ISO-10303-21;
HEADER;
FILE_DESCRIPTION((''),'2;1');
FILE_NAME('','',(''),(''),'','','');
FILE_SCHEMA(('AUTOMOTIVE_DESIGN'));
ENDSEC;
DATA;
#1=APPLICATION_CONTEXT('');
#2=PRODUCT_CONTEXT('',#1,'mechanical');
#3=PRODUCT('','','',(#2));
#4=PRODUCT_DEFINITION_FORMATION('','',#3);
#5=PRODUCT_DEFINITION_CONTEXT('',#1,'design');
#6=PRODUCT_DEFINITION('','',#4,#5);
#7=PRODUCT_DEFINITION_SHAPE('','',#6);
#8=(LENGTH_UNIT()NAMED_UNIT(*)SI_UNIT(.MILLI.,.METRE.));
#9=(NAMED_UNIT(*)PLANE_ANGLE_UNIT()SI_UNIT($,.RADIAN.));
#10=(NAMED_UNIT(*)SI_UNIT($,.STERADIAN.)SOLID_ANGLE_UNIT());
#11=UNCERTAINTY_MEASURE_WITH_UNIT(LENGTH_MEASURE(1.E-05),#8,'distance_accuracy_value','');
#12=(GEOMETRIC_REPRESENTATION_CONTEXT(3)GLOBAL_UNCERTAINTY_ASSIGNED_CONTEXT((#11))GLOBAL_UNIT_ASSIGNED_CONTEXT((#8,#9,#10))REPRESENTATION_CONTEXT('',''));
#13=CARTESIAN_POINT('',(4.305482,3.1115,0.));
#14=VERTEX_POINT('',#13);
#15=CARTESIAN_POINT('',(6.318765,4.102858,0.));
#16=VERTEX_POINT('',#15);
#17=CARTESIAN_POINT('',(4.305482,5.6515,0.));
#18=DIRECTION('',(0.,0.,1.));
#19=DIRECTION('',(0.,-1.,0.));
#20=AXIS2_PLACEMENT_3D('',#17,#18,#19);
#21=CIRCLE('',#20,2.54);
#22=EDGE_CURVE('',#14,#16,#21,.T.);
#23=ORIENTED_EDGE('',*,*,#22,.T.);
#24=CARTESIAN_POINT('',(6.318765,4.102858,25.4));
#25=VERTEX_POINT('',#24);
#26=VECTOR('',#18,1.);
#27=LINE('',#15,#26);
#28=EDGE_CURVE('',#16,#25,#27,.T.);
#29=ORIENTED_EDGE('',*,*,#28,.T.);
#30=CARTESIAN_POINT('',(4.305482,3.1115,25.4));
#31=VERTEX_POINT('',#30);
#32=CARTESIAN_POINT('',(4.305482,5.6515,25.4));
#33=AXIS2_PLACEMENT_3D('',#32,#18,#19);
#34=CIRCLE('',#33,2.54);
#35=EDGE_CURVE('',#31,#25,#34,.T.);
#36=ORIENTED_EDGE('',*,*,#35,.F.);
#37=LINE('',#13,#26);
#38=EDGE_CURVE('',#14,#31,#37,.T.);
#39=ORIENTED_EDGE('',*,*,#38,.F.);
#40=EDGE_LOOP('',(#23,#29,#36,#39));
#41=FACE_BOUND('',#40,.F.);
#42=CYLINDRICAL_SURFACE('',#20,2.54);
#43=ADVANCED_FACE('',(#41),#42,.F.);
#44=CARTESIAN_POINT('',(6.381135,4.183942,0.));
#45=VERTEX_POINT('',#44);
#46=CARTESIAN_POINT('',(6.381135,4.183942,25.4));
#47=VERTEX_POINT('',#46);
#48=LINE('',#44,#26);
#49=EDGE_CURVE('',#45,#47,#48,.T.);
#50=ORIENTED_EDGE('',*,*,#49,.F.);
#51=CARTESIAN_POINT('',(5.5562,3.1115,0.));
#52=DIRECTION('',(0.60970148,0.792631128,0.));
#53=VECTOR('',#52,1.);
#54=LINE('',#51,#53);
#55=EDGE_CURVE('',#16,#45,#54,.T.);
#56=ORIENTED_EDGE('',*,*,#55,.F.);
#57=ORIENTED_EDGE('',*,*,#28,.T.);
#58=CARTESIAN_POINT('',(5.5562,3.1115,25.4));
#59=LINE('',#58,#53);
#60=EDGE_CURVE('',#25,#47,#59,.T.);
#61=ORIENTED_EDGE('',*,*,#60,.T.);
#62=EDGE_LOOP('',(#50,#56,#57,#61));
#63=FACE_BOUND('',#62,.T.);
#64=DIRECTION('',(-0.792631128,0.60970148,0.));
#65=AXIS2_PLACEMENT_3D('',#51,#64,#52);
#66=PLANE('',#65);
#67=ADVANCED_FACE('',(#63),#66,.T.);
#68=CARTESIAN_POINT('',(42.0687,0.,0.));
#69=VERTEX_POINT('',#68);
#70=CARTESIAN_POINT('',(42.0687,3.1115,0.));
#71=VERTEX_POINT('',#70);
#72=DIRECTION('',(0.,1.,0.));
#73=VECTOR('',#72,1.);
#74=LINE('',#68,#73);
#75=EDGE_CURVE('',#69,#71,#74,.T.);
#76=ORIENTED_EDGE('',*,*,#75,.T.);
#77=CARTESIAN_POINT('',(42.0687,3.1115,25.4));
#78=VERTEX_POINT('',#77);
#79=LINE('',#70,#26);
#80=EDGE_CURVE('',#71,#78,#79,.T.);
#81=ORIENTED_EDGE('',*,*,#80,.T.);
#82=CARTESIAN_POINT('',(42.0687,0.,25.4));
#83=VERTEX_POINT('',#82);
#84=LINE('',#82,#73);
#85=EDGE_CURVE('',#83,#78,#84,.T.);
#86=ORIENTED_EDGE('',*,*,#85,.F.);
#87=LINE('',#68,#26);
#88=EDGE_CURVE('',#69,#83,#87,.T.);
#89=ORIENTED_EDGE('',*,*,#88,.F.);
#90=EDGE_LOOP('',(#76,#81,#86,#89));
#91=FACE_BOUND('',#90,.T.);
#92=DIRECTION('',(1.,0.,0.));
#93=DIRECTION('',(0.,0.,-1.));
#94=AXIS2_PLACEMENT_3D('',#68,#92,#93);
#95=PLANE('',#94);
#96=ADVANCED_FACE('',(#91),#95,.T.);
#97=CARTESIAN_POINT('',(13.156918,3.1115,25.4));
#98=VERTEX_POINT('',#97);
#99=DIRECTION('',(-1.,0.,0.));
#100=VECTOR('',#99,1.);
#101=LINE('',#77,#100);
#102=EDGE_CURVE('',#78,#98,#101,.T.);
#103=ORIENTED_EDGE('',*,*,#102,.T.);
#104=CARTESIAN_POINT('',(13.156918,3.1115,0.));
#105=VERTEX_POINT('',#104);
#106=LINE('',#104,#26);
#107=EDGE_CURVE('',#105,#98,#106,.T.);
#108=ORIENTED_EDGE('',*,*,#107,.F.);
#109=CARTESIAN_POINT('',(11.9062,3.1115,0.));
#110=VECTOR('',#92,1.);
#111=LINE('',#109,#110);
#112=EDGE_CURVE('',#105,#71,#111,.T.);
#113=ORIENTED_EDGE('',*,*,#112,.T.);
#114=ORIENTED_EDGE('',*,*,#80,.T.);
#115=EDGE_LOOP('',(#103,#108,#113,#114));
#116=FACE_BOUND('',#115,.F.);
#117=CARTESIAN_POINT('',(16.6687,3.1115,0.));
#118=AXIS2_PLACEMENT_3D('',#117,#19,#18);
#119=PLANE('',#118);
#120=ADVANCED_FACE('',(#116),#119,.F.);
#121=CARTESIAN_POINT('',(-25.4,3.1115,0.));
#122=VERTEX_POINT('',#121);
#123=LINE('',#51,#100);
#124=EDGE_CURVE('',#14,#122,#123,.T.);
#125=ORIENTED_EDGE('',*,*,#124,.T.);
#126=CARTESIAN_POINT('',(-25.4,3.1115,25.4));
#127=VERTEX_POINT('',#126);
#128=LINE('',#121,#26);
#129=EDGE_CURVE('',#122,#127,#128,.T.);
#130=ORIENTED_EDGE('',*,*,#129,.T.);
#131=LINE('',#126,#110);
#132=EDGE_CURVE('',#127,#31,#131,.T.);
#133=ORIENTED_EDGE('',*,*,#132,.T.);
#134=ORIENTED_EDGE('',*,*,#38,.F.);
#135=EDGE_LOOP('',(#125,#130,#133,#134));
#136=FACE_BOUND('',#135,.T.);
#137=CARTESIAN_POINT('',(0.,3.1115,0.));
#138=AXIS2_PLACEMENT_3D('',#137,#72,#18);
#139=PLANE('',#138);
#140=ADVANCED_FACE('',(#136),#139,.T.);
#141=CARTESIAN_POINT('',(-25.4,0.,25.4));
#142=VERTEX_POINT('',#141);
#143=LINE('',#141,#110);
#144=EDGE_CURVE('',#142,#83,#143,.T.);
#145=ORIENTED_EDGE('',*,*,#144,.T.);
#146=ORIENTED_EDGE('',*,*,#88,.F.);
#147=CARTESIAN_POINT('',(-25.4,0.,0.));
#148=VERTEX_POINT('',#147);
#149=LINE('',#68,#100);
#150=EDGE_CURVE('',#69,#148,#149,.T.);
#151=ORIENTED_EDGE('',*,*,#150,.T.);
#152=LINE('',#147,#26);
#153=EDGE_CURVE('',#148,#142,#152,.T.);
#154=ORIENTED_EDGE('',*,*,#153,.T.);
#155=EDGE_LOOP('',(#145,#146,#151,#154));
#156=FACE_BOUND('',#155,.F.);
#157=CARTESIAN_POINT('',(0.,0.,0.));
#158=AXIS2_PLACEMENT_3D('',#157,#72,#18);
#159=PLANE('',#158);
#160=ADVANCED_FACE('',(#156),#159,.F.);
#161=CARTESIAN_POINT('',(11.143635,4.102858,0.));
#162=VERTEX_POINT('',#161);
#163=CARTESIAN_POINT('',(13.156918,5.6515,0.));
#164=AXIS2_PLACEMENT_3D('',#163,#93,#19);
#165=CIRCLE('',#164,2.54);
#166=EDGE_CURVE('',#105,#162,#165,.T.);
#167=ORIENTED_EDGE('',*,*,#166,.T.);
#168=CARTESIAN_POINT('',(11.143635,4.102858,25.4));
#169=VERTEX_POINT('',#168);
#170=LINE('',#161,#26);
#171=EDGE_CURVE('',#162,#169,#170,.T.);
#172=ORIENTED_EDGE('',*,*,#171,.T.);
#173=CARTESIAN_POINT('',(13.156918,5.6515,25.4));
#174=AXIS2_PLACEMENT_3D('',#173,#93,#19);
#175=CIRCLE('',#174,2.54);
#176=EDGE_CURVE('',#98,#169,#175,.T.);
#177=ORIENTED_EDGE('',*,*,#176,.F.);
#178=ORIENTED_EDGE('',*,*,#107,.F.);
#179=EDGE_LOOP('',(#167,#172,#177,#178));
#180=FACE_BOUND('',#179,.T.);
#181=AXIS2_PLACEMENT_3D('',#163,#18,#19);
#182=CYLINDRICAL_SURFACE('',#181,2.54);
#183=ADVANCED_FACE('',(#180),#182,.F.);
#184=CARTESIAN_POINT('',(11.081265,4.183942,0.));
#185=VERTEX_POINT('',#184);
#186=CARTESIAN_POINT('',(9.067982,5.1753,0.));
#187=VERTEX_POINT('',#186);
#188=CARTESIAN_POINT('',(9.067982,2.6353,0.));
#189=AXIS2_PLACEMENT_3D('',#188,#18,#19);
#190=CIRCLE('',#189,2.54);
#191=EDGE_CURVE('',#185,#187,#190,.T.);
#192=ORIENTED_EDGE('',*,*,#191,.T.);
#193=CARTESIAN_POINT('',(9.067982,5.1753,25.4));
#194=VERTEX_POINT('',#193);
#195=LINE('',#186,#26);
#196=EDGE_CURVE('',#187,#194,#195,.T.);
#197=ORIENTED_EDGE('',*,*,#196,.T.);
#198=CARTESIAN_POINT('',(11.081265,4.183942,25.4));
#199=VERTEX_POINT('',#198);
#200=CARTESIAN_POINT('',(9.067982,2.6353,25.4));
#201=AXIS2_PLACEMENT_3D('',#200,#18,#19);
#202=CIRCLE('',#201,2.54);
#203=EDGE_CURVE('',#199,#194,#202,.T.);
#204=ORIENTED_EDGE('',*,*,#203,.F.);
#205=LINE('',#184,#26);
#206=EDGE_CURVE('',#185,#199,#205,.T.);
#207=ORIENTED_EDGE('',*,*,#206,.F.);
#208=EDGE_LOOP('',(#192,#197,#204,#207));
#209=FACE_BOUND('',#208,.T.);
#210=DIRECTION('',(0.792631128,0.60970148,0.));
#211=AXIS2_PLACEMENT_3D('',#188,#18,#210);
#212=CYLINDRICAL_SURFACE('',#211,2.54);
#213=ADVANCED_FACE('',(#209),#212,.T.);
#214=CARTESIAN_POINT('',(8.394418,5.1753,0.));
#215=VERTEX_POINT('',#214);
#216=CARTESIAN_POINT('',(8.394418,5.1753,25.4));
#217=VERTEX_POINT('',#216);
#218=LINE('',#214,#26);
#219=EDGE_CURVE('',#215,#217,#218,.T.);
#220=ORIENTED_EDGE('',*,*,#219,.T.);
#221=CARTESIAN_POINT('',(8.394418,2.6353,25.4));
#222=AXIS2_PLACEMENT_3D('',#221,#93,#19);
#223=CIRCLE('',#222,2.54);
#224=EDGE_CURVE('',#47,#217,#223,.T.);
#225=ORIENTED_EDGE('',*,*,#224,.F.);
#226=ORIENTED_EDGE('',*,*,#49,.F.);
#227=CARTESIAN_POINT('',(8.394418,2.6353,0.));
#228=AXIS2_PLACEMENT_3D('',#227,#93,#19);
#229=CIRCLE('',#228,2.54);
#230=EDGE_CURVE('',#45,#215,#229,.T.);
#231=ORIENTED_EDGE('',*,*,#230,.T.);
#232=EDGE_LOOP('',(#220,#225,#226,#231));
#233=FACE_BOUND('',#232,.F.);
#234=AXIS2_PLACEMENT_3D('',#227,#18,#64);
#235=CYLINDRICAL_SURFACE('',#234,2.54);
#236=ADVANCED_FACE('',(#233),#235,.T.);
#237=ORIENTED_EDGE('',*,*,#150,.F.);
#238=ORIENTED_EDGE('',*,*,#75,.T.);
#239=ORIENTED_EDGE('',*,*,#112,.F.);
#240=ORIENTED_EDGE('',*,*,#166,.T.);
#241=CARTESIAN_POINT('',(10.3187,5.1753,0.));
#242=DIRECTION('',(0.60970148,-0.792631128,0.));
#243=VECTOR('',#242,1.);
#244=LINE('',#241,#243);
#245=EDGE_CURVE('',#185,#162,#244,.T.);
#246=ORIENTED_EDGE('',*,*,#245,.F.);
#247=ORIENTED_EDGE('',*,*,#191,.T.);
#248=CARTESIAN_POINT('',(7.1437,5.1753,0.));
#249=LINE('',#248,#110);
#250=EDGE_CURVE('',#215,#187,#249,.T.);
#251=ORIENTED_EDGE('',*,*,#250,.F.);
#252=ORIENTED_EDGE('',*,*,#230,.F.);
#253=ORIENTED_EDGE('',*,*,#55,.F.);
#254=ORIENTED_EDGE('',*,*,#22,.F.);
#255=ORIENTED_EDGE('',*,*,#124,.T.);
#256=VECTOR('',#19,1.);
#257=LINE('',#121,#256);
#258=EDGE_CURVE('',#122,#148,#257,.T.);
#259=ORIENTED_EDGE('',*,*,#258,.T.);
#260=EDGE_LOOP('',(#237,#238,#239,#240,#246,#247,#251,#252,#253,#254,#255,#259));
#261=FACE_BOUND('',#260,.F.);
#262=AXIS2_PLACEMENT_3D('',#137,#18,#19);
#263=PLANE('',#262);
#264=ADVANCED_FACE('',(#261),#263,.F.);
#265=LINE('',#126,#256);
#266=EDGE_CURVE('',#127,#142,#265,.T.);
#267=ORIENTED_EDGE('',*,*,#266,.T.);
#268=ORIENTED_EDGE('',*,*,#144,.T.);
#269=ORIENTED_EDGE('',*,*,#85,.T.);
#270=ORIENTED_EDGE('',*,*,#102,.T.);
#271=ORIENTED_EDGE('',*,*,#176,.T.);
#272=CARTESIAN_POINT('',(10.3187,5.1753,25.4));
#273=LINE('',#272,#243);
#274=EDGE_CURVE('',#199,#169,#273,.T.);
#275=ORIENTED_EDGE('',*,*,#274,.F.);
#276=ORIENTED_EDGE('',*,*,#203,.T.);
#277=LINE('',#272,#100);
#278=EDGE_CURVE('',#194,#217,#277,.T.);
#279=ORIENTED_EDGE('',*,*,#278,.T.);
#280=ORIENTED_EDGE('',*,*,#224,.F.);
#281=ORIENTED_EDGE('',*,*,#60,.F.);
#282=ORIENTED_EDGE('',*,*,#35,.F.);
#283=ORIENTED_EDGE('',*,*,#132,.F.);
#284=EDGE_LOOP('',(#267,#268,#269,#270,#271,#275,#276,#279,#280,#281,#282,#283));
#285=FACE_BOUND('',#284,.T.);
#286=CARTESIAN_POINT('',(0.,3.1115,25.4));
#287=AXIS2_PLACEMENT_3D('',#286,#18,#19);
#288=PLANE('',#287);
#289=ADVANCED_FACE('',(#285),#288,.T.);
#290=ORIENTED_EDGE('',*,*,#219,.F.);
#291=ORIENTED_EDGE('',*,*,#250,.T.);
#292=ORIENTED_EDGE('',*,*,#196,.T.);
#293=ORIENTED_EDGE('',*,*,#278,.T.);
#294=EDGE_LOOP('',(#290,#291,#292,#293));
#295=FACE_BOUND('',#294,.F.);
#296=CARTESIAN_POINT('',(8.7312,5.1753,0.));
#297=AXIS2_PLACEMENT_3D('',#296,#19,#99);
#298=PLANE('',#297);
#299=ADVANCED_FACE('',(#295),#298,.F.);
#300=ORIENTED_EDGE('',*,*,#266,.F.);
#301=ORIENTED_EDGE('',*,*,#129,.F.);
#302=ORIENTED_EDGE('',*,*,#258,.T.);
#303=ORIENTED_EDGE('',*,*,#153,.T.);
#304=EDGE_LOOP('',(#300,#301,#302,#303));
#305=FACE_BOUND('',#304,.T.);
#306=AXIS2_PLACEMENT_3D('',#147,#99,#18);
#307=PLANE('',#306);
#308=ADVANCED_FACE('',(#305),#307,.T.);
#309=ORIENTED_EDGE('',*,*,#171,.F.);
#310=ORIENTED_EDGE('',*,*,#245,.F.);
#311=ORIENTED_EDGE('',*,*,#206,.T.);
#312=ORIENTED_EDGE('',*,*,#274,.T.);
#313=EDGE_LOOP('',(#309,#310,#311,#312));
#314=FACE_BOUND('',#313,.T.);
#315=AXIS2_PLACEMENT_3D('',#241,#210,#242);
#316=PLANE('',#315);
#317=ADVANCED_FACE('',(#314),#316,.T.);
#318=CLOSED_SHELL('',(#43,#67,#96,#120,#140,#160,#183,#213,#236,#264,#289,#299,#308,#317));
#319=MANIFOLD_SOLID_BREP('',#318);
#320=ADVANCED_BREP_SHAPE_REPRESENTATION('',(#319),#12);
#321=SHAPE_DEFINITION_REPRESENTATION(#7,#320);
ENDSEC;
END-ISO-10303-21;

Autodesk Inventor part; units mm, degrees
ref_plane "YZ Plane" through (0, 0, 0) normal (1, 0, 0) x (0, 1, 0)
ref_plane "XZ Plane" through (0, 0, 0) normal (0, 1, 0) x (-1, 0, 0)
ref_plane "XY Plane" through (0, 0, 0) normal (0, 0, 1) x (1, 0, 0)
sketch "Sketch1" plane through (0, 0, 0) normal (0, 0, 1) x (1, 0, 0)
  line L0 (0, 0) -> (4.7625, 0)
  line L1 (4.7625, 3.1115) -> (3.9687, 3.1115) construction
  line L2 (0, 3.1115) -> (0, 0)
  line L3 (4.7625, 0) -> (12.7, 0)
  line L4 (12.7, 0) -> (12.7, 3.1115) construction
  line L5 (12.7, 5.1753) -> (11.1125, 5.1753) construction
  line L6 (4.7625, 5.1753) -> (4.7625, 3.1115) construction
  line L7 (2.3812, 3.1115) -> (2.3812, 0) construction
  line L8 (8.7312, 5.1753) -> (8.7312, 0) construction
  line L9 (2.3812, 3.1115) -> (2.3812, 5.4927) construction
  circle A0 centre (2.3812, 5.4927) radius 2.3812 construction
  line L10 (6.35, 5.1753) -> (6.35, 0) construction
  line L11 (11.1125, 5.1753) -> (11.1125, 0) construction
  line L12 (4.7625, 3.1115) -> (12.7, 3.1115) construction
  line L13 (6.35, 5.1753) -> (4.7625, 5.1753) construction
  line L14 (4.7625, 3.1115) -> (4.7625, 0) construction
  line L15 (11.1125, 5.1753) -> (10.3187, 5.1753) construction
  line L16 (12.7, 3.1115) -> (12.7, 5.1753) construction
  line L17 (8.7312, 5.1753) -> (8.7312, 7.5565) construction
  circle A1 centre (8.7312, 7.5565) radius 2.3813 construction
  line L18 (0.7937, 3.1115) -> (0.7937, 0)
  line L19 (3.9687, 3.1115) -> (3.9687, 0)
  line L20 (7.1437, 5.1753) -> (7.1437, 0)
  line L21 (10.3187, 5.1753) -> (10.3187, 0)
  line L22 (3.9687, 3.1115) -> (0.7937, 3.1115)
  line L23 (0.7937, 3.1115) -> (0, 3.1115)
  line L24 (10.3187, 5.1753) -> (8.7312, 5.1753)
  line L25 (7.1437, 5.1753) -> (6.35, 5.1753) construction
  line L26 (8.7312, 5.1753) -> (7.1437, 5.1753)
  line L27 (3.9687, 3.1115) -> (7.1437, 5.1753)
  line L28 (0, 0) -> (0, 5.5563) construction
  line L29 (0, 5.5563) -> (17.4625, 5.5563) construction
  line L30 (0, 5.5563) -> (0, 7.9375) construction
  line L31 (0, 7.9375) -> (17.4625, 7.9375) construction
  line L32 (12.7, 3.1115) -> (13.4937, 3.1115) construction
  line L33 (12.7, 0) -> (17.4625, 0)
  line L34 (17.4625, 0) -> (17.4625, 3.1115)
  line L35 (15.0812, 0) -> (15.0812, 3.1115) construction
  line L36 (13.4937, 3.1115) -> (13.4937, 0)
  line L37 (16.6687, 3.1115) -> (16.6687, 0)
  line L38 (13.4937, 3.1115) -> (15.0812, 3.1115)
  line L39 (16.6687, 3.1115) -> (17.4625, 3.1115)
  line L40 (15.0812, 3.1115) -> (16.6687, 3.1115)
  line L41 (15.0812, 3.1115) -> (15.0812, 5.4928) construction
  line L42 (10.3187, 5.1753) -> (13.4937, 3.1115)
  line L43 (0, -12.7) -> (0, 0) construction
  line L44 (0, -7.1437) -> (26.1938, -7.1437) construction
  line L45 (0, -4.7625) -> (26.1938, -4.7625) construction
  line L46 (26.1938, -4.7625) -> (26.1938, -7.1437) construction
  line L47 (26.1938, -7.1437) -> (26.1938, -12.7) construction
  line L48 (26.1938, -12.7) -> (0, -12.7) construction
  line L49 (26.1938, -6.35) -> (34.3852, -6.35) construction
  line L50 (26.1938, -12.7) -> (34.3852, -12.7) construction
  line L51 (34.3852, -12.7) -> (34.3852, -6.35) construction
  line L52 (16.6688, -4.7625) -> (16.6688, -12.7) construction
  circle A2 centre (16.6688, -5.1435) radius 2.3813 construction
  circle A3 centre (16.6688, -7.2073) radius 2.3813 construction
  circle A4 centre (10.3187, -5.1435) radius 2.3813 construction
  circle A5 centre (10.3187, -7.2073) radius 2.3813 construction
  line L53 (10.3187, -4.7625) -> (10.3187, -12.7) construction
  line L54 (0, -7.5248) -> (26.1938, -7.5248) construction
  line L55 (8.7312, -7.5248) -> (8.7312, -12.7) construction
  line L56 (5.5562, -7.5248) -> (5.5562, -12.7) construction
  line L57 (18.2563, -7.5248) -> (18.2563, -12.7) construction
  line L58 (21.4313, -7.5248) -> (21.4313, -12.7) construction
  line L59 (0, -9.5885) -> (26.1938, -9.5885) construction
  line L60 (5.5562, -9.5885) -> (8.7312, -7.5248) construction
  line L61 (18.2563, -7.5248) -> (21.4312, -9.5885) construction
  line L62 (11.9062, -7.5248) -> (11.9062, -12.7) construction
  line L63 (15.0812, -7.5248) -> (15.0812, -12.7) construction
  line L64 (11.9062, -7.5248) -> (15.0812, -9.5885) construction
  line L65 (21.4313, -9.3266) -> (34.3852, -9.3266) construction
  line L66 (24.6063, -9.3266) -> (24.6063, -12.7) construction
  line L67 (21.4313, -9.3266) -> (20.1197, -7.1437) construction
  line L68 (26.1938, -9.5885) -> (30.9563, -9.5885) construction
  line L69 (30.9563, -9.5885) -> (30.9563, -12.7) construction
  line L70 (31.75, -9.3266) -> (31.75, -12.7) construction
  line L71 (31.75, -12.7) -> (29.723, -9.3266) construction
  line L72 (0, -4.7625) -> (-1.5875, -4.7625) construction
  line L73 (-1.5875, -4.7625) -> (-1.5875, -9.3266) construction
  line L74 (-1.5875, -9.3266) -> (5.5562, -9.3266) construction
  line L75 (1.4233, 7.874) -> (3.7622, 7.874)
  line L76 (5.5562, 3.1115) -> (7.1437, 5.1753)
  line L77 (10.3187, 5.1753) -> (11.9062, 3.1115)
  line L78 (11.9062, 3.1115) -> (13.4937, 3.1115)
  line L79 (5.5562, 3.1115) -> (3.9687, 3.1115)
  dimension "d8" = 6.35
  dimension "d9" = 5.1753
  dimension "d10" = 4.7625
  dimension "d11" = 2.3813
  dimension "d12" = 3.175
  dimension "d13" = 3.175
  dimension "d14" = 4.7625
  dimension "d15" = 2.3813
  dimension "d16" = 3.1115
  dimension "d17" = 5.5563
  dimension "d18" = 7.9375
  dimension "d19" = 6.35
  dimension "d20" = 3.175
  dimension "d21" = 2.3813
  dimension "d25" = 12.7
  dimension "d26" = 5.5563
  dimension "d27" = 7.9375
  dimension "d28" = 26.1938
  dimension "d29" = 8.1915
  dimension "d30" = 6.35
  dimension "d33" = 9.525
  dimension "d35" = 0.381
  dimension "d36" = 0.0635
  dimension "d38" = 6.35
  dimension "d39" = 0.381
  dimension "d40" = 0.381
  dimension "d41" = 0.0635
  dimension "d42" = 0.0635
  dimension "d43" = 9.525
  dimension "d46" = 1.5875
  dimension "d47" = 4.7625
  dimension "d48" = 1.5875
  dimension "d49" = 4.7625
  dimension "d50" = 3.1115
  dimension "d51" = 1.5875
  dimension "d52" = 4.7625
  dimension "d53" = 3.3734
  dimension "d54" = 3.175
  dimension "d55" = 31
  dimension "d56" = 9.525
  dimension "d57" = 9.525
  dimension "d59" = 0.7937
  dimension "d60" = 31
  dimension "d61" = 1.5875
  dimension "d62" = 3.3734
  dimension "d63" = 0.0635
  dimension "d70" = 0.7937
  dimension "d71" = 0.7937
extrude "Extrusion1" add sketch "Sketch1" along normal blind 25.4 contours L2 L23 L18 L0 | L18 L22 L19 L0 | L19 L79 L76 L20 L3 L0 | L20 L26 L24 L21 L3 | L21 L77 L78 L36 L33 L3 | L36 L38 L40 L37 L33
sketch "Sketch2" plane through (16.6687, 0, 0) normal (1, 0, 0) x (0, 0, -1)
  line L0 (0, 0) -> (0, 3.1115) projected
  line L1 (0, 3.1115) -> (-25.4, 3.1115) projected
  line L2 (-25.4, 0) -> (-25.4, 3.1115) projected
  line L3 (0, 0) -> (-25.4, 0) projected
extrude "Extrusion2" add sketch "Sketch2" along normal blind 25.4
sketch "Sketch3" plane through (0, 0, 0) normal (-1, 0, 0) x (0, 0, 1)
  line L0 (0, 3.1115) -> (0, 0) projected
  line L1 (0, 0) -> (25.4, 0) projected
  line L2 (25.4, 3.1115) -> (25.4, 0) projected
  line L3 (0, 3.1115) -> (25.4, 3.1115) projected
extrude "Extrusion3" add sketch "Sketch3" along normal blind 25.4
fillet "Fillet1" radius 2.54 4 edges at (10.3187, 5.1753, 12.7) (7.1437, 5.1753, 12.7) (11.9062, 3.1115, 12.7) (5.5562, 3.1115, 12.7)
equation "\"d19\" = d8"
equation "\"d26\" = d17"
equation "\"d27\" = d18"
equation "\"d39\" = d35"
equation "\"d40\" = d39"
equation "\"d41\" = d36"
equation "\"d42\" = d41"
equation "\"d50\" = d16"
equation "\"d51\" = d46"
equation "\"d52\" = d47"
equation "\"d57\" = d56"
equation "\"d60\" = d55"
equation "\"d62\" = d53"
properties part number "Sketch - Ball Shifting Shaft"
